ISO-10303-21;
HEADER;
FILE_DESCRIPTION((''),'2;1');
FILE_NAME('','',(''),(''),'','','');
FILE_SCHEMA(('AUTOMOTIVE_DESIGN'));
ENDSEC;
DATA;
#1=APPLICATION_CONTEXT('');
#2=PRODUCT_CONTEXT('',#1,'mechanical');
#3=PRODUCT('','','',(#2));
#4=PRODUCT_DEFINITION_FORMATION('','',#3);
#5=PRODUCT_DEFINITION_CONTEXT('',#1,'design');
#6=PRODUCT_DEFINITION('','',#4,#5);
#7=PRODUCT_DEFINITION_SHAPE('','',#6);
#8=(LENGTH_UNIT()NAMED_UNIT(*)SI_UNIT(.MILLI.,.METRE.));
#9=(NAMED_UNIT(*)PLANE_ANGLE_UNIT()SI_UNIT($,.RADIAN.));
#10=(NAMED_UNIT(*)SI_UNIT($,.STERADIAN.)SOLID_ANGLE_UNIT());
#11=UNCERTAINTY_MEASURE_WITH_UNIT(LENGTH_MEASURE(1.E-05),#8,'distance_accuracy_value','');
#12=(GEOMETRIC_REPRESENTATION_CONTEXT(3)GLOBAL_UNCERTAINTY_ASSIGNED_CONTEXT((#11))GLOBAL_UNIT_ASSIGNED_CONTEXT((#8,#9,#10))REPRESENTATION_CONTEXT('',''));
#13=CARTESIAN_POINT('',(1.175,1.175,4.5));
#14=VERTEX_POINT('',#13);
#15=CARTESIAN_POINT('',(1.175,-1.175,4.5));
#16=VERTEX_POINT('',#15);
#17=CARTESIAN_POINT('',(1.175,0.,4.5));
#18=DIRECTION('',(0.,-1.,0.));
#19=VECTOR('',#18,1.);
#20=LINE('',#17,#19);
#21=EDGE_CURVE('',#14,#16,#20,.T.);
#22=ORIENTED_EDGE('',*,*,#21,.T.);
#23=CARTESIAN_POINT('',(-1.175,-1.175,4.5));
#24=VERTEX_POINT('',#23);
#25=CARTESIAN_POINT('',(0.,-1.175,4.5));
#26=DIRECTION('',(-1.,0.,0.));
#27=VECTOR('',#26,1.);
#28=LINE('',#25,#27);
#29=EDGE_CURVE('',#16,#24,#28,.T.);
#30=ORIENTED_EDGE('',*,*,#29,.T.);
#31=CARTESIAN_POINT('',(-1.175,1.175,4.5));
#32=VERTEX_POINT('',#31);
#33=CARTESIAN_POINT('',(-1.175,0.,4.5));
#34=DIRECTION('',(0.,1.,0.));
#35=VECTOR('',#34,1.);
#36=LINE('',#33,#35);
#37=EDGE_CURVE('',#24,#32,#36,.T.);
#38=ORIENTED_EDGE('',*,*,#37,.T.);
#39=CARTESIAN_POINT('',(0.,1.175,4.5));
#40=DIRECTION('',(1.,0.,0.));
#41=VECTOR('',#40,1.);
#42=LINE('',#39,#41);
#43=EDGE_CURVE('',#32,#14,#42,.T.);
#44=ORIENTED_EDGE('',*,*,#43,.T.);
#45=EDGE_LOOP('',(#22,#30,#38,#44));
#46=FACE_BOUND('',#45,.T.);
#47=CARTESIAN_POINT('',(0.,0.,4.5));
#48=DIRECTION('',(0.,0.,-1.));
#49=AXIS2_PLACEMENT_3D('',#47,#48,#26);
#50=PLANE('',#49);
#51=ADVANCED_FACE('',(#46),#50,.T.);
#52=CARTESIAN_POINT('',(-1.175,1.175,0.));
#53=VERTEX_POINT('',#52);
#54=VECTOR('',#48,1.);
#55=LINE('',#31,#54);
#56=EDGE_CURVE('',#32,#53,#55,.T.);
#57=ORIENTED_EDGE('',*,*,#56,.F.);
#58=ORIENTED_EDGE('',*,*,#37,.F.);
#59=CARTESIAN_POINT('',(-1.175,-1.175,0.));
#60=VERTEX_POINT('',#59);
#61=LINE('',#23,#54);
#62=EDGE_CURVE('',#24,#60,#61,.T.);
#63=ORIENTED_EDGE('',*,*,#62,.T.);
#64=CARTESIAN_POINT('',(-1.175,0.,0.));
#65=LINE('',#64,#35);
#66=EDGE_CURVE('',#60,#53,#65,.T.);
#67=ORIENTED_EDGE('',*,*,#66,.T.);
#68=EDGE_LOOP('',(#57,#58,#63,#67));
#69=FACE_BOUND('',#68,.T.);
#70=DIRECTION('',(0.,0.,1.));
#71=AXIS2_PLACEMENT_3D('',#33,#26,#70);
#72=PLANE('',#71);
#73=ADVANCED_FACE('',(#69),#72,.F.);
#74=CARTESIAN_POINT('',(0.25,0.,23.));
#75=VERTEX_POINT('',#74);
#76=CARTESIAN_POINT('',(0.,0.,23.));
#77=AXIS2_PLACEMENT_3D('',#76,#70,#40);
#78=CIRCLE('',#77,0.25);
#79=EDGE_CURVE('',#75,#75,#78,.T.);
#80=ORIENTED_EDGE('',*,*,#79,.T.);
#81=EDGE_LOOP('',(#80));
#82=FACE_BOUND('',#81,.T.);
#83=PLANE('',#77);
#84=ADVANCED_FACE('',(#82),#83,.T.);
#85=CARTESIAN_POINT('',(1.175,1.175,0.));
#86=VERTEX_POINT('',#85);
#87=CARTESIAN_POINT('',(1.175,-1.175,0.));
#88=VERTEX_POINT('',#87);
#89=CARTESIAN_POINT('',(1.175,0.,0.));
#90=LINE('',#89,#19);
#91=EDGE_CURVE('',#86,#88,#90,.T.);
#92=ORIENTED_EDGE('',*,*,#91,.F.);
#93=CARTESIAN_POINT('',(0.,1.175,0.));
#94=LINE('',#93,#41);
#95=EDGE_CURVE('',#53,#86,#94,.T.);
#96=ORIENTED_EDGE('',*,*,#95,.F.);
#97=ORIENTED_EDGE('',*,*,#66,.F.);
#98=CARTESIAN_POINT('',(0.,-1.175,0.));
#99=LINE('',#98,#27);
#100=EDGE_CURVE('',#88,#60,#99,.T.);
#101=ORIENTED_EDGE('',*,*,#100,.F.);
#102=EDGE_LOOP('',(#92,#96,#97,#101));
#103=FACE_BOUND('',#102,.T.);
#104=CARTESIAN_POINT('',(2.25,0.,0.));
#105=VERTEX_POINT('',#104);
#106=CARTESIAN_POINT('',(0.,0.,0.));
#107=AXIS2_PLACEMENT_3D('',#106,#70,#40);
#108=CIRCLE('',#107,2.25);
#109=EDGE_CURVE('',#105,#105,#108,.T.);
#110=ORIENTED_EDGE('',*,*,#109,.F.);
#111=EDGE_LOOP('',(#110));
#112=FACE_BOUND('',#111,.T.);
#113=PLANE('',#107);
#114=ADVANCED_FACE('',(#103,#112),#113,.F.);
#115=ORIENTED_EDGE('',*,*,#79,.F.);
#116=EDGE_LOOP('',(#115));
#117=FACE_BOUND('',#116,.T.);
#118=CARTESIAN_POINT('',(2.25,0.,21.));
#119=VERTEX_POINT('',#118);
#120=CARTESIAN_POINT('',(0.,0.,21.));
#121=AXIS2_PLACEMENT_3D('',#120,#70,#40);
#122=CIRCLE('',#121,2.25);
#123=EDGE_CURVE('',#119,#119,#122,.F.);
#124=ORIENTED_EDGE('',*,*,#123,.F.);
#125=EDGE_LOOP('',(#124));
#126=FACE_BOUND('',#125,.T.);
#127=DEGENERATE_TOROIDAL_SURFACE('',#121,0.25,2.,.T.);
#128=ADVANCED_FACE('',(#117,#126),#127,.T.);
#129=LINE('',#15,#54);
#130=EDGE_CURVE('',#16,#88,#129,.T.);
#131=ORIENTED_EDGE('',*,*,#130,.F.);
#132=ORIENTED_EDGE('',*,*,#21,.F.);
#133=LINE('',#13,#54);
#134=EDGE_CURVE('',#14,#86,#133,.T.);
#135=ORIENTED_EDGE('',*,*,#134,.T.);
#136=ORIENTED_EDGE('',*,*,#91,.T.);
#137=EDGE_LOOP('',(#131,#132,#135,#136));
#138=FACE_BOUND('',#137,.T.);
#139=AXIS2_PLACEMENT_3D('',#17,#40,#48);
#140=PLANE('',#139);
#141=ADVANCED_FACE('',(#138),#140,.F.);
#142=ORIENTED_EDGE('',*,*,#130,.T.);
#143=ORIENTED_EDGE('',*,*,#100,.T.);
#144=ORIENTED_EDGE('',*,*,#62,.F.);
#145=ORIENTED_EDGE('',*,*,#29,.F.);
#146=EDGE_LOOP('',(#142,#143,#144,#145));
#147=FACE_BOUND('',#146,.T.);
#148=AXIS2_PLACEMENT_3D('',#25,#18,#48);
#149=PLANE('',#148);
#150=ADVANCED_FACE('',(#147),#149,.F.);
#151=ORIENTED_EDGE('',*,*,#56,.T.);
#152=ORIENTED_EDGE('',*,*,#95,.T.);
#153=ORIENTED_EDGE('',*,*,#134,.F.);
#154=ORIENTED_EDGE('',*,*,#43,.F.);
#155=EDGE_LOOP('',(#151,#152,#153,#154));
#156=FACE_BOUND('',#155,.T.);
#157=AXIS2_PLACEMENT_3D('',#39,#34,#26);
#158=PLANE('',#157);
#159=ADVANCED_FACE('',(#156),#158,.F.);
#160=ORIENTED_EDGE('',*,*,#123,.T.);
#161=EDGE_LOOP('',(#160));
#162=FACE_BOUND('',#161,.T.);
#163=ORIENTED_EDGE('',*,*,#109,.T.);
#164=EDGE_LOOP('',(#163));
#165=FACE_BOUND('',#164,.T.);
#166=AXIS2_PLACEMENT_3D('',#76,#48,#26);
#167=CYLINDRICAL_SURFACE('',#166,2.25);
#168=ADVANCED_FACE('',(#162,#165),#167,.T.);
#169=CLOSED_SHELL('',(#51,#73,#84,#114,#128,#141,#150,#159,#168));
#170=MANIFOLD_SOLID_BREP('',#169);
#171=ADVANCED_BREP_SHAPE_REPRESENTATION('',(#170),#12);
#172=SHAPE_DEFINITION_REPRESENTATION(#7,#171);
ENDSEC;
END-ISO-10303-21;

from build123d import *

# Parameters (mm, degrees)
SKETCH_1_R          = 2.25
EXTRUDE_2_DEPTH     = 23
SKETCH_7_W          = 2.35
SKETCH_7_H          = 2.35
CUT_EXTRUDE_3_DEPTH = 4.5
FILLET_2_R          = 2


with BuildPart() as part:
    # 草图1 → 凸台-拉伸2 (new body)
    with BuildSketch(Plane.XY):
        Circle(SKETCH_1_R)
    extrude(amount=EXTRUDE_2_DEPTH)

    # 草图7 → 切除-拉伸3 (cut)
    with BuildSketch(Plane.XY):
        Rectangle(SKETCH_7_W, SKETCH_7_H)
    extrude(amount=CUT_EXTRUDE_3_DEPTH, mode=Mode.SUBTRACT)

    # 圆角2
    fillet_2_edges = [part.edges().sort_by_distance(p)[0] for p in [
        (-2.25, 0, 23),
    ]]
    fillet(fillet_2_edges, radius=FILLET_2_R)


solid = part.part
